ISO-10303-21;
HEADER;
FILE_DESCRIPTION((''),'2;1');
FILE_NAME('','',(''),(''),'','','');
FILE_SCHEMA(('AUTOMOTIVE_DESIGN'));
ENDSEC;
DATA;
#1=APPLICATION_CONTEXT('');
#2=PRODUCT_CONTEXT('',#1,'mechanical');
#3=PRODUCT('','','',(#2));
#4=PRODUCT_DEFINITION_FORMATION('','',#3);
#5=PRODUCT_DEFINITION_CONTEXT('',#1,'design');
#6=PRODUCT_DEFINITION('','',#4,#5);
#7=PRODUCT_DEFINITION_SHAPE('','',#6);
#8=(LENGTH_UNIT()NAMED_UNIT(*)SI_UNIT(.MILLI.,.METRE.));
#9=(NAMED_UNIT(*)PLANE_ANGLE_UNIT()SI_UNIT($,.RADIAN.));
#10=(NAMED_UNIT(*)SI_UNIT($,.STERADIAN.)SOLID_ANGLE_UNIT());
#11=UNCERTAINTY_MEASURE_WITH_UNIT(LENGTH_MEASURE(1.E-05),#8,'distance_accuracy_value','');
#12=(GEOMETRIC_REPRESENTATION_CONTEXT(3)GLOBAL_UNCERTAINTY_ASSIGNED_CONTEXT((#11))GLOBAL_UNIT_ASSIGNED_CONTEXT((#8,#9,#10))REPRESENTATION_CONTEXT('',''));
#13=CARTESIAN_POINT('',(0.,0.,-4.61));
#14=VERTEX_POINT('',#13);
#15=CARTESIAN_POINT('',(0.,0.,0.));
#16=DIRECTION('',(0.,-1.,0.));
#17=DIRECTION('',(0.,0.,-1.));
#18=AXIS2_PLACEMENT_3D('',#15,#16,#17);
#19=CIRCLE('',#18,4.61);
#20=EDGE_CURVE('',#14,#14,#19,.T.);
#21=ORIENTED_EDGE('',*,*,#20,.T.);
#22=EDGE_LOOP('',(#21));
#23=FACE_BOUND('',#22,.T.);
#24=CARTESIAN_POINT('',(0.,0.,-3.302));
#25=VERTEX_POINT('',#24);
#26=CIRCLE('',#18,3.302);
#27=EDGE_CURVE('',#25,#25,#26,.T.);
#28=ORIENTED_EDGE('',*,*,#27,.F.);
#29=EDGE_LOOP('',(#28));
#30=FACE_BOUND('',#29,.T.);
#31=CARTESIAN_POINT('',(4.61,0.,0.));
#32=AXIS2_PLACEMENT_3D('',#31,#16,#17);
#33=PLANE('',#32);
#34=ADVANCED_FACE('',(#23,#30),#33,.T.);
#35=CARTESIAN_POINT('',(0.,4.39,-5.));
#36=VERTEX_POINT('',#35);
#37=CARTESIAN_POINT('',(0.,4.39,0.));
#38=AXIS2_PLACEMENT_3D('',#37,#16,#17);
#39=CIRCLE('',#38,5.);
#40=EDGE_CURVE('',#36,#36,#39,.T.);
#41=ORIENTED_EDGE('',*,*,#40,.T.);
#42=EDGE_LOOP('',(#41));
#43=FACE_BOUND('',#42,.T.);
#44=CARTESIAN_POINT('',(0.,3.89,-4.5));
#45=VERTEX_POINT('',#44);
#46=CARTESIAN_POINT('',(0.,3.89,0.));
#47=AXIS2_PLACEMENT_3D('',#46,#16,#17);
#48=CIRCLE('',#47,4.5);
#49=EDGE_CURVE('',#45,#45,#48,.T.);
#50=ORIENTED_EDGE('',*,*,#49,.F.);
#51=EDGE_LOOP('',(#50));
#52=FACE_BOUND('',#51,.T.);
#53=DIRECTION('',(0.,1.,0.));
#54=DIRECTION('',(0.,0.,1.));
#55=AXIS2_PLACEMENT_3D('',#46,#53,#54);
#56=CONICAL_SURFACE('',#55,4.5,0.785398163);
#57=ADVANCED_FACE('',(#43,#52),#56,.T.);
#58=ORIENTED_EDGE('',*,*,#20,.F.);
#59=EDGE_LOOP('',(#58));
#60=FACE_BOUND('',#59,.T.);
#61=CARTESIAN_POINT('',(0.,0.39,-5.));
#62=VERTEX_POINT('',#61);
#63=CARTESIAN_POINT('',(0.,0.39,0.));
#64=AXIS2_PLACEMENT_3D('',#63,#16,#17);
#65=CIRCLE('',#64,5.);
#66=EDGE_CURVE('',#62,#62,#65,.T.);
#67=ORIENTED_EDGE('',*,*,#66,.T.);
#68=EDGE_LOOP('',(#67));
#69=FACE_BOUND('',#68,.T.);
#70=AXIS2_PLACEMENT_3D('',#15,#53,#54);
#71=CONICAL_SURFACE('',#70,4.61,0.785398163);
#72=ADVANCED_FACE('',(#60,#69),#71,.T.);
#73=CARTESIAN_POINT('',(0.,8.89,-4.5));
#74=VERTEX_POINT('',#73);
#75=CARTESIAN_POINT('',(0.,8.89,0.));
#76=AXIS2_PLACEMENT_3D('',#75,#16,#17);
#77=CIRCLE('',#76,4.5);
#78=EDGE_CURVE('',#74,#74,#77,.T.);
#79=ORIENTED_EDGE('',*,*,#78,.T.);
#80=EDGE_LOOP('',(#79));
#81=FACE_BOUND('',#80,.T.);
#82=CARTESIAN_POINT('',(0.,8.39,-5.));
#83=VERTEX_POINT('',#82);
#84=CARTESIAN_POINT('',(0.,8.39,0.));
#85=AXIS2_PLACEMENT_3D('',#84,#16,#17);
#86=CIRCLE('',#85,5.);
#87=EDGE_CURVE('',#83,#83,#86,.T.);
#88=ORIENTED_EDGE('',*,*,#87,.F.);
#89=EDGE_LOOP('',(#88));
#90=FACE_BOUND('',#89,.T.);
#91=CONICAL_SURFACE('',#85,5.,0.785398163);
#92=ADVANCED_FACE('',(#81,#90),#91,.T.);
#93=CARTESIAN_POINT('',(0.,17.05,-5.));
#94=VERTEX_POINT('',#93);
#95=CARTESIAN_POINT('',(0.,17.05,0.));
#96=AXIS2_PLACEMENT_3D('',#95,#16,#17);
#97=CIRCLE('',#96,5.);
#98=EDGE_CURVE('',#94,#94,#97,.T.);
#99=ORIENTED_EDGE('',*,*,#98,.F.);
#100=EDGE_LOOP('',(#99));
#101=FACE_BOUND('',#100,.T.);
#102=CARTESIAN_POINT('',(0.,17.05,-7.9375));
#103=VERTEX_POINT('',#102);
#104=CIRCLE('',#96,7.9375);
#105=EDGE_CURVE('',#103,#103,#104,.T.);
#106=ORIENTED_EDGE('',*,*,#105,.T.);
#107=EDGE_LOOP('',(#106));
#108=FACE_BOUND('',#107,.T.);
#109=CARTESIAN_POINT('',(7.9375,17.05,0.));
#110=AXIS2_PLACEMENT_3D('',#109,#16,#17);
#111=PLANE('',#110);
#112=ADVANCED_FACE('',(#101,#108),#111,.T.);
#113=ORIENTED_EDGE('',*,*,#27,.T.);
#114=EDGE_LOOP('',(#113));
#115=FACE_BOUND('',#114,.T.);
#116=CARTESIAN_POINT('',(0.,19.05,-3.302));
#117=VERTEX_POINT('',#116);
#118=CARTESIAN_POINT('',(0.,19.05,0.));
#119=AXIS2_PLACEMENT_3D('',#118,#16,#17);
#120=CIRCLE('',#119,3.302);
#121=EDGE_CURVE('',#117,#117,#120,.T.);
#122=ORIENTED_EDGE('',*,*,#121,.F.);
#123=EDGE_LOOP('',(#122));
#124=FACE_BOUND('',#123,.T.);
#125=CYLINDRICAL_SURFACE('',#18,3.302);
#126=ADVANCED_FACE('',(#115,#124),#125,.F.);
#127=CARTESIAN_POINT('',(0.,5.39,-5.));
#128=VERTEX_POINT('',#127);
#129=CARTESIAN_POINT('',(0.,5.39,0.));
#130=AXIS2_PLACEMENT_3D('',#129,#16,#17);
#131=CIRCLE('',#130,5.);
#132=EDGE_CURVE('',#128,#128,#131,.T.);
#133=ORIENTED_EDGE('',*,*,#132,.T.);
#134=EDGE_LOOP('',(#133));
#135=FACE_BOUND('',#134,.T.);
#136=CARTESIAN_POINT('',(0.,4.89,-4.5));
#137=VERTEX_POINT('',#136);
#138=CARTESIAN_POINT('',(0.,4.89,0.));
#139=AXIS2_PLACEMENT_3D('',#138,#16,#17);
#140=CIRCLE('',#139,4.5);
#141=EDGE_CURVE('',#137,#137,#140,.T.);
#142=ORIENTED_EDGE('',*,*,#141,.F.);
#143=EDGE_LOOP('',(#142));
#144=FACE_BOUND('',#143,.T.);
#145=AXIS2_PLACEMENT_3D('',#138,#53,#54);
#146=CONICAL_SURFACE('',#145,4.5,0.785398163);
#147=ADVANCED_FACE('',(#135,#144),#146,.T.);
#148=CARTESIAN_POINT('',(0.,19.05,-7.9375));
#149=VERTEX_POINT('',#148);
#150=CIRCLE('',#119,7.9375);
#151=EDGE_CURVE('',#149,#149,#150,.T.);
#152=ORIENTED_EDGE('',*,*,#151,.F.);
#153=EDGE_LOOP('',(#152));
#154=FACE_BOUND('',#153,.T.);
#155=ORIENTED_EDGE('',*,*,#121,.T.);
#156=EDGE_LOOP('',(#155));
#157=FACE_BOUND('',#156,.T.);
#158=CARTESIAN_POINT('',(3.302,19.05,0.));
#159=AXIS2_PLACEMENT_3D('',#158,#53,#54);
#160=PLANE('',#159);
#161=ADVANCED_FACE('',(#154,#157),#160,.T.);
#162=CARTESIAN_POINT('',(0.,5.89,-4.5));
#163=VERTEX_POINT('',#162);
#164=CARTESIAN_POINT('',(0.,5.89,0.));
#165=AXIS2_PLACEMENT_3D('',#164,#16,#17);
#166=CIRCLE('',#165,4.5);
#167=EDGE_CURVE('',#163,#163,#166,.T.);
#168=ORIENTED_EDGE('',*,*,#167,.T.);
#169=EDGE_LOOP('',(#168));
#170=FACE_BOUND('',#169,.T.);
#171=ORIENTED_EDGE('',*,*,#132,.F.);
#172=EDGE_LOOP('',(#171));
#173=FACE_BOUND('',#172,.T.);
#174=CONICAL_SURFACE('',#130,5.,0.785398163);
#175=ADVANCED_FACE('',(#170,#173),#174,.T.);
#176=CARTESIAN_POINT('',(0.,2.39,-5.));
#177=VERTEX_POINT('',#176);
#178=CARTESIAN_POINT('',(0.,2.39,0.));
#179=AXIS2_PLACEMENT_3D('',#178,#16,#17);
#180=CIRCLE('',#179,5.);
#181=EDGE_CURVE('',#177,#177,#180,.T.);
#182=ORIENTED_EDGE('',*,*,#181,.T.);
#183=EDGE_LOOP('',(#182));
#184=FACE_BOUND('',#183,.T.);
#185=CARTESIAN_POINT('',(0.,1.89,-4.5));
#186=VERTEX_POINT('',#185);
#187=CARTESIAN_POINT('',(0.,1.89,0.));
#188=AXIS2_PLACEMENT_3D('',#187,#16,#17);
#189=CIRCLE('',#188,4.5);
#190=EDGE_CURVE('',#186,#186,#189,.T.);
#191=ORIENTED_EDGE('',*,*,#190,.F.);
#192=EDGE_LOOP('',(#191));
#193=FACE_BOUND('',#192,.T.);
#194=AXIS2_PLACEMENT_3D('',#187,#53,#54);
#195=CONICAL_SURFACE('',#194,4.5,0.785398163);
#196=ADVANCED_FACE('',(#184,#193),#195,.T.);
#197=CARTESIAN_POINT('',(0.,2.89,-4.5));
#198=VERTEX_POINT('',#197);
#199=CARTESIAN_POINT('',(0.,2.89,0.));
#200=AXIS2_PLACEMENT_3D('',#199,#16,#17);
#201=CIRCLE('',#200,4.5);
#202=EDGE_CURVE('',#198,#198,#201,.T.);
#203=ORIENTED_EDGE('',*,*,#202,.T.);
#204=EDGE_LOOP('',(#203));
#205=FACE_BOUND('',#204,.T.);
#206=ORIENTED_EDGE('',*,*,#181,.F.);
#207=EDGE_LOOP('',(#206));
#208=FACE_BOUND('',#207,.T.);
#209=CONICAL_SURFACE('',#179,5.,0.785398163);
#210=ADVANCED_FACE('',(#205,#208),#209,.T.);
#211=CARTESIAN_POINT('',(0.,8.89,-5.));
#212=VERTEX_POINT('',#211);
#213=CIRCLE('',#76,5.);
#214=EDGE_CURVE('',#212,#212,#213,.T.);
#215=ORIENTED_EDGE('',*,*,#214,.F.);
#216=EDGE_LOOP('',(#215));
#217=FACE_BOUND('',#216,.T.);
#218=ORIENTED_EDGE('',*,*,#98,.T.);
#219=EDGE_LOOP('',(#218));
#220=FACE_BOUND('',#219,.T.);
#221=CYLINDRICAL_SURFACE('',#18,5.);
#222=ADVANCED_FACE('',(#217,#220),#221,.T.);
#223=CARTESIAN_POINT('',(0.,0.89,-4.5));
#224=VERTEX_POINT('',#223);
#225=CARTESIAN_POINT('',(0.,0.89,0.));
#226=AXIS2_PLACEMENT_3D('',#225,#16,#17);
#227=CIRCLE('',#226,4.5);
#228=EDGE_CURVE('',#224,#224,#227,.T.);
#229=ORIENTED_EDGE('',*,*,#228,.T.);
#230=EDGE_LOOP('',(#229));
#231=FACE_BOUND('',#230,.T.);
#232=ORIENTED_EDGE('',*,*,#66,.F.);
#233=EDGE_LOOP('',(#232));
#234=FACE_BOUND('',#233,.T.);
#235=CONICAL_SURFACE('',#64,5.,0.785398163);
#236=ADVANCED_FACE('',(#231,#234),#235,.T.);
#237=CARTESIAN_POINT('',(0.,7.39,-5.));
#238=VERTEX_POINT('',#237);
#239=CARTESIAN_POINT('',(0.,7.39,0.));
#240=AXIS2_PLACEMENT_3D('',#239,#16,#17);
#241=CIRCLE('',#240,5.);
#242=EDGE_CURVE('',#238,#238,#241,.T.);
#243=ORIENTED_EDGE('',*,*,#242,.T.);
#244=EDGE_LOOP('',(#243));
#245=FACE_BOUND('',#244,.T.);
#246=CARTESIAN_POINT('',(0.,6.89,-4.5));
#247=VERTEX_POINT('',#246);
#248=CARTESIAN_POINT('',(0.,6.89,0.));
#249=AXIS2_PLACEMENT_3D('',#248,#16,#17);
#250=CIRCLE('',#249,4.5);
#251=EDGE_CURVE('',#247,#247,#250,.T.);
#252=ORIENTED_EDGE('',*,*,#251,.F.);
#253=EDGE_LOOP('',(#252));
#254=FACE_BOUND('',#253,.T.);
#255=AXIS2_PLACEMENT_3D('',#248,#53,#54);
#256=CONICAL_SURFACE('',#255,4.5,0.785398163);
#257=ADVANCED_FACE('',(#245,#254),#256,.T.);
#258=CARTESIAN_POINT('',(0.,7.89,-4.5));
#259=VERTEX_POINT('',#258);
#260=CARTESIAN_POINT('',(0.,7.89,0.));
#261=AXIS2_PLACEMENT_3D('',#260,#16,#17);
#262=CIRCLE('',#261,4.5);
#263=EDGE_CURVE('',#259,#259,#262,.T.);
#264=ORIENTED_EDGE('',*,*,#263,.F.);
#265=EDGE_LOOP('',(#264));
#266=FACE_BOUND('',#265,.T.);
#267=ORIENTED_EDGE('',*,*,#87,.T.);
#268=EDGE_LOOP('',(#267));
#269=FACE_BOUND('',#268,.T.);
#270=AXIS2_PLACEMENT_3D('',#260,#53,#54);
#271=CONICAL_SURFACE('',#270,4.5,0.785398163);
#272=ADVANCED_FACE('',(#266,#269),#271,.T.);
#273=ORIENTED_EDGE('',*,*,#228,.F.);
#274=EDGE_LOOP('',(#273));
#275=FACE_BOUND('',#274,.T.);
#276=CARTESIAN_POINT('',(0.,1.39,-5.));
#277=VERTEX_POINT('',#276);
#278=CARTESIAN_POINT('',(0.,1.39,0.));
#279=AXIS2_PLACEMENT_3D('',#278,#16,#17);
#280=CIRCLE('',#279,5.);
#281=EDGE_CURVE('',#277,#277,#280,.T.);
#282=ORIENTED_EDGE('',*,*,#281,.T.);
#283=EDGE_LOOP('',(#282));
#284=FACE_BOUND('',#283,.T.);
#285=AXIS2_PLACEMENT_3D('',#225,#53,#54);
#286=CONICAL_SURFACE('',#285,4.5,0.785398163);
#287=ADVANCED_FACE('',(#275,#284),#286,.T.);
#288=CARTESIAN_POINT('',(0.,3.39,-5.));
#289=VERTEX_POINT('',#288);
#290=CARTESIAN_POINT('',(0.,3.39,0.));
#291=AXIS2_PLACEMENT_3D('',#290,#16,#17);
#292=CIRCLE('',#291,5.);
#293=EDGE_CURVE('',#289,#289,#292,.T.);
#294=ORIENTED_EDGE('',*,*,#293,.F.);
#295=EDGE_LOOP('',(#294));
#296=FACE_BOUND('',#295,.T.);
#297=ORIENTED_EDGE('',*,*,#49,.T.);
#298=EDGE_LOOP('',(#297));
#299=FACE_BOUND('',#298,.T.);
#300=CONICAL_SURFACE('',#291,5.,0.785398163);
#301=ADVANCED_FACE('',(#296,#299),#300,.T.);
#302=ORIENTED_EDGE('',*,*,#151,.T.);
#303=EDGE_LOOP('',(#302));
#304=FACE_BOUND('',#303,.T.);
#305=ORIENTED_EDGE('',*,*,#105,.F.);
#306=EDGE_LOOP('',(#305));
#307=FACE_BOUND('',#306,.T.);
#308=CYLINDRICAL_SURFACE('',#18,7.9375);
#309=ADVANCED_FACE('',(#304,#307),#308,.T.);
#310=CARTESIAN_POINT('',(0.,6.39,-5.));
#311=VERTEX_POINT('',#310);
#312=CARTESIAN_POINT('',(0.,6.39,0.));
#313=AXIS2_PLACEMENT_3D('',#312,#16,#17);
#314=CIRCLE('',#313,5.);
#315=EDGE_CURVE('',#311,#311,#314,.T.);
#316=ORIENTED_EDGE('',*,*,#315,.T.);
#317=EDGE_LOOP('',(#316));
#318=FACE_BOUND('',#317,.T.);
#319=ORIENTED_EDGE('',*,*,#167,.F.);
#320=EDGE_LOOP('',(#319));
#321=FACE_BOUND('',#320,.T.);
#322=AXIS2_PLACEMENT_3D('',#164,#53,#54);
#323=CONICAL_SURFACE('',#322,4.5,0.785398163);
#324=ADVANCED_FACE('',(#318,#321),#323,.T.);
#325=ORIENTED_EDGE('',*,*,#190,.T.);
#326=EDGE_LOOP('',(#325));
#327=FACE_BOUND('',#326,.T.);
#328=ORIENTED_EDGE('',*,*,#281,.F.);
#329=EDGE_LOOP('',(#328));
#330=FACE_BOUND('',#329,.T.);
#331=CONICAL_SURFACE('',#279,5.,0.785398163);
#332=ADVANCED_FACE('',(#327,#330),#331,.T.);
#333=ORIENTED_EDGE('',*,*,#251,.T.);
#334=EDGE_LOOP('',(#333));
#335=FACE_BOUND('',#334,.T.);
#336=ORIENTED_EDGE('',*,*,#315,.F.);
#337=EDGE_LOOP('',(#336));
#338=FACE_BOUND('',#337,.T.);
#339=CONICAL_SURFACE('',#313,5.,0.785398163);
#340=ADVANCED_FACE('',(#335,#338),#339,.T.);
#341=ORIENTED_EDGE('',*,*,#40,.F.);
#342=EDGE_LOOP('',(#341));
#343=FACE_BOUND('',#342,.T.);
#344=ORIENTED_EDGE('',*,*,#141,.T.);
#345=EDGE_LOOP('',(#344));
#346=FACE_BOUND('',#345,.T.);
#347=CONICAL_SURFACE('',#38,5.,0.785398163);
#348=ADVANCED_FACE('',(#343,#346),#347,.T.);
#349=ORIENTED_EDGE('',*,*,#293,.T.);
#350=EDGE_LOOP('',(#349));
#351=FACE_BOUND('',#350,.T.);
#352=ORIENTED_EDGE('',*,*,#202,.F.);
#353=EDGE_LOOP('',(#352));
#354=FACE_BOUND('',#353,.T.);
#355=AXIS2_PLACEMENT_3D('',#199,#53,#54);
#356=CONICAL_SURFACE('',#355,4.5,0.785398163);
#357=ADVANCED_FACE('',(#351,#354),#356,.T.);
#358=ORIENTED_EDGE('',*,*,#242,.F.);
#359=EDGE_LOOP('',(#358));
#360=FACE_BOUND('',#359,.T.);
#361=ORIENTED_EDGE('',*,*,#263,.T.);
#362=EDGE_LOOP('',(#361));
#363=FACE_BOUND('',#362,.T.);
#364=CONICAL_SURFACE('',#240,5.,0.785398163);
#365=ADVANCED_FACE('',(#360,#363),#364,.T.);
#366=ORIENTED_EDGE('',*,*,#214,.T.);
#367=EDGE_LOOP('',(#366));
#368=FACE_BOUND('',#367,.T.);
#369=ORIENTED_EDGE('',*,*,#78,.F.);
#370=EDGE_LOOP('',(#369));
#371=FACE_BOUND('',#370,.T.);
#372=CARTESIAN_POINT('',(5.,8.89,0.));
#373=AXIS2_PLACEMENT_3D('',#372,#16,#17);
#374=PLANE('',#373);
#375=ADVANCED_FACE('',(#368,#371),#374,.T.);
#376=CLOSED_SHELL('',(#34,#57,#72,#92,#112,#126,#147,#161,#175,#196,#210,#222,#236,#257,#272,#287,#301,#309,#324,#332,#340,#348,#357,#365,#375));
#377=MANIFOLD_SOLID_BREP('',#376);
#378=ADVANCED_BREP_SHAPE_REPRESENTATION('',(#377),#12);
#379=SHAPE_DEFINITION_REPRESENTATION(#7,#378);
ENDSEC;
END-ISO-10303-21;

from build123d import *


with BuildPart() as part:
    # Sketch1 → Revolve1 (revolve)
    with BuildSketch(Plane.XY):
        Polygon((3.302, 0), (3.302, 19.05), (7.9375, 19.05), (7.9375, 17.05), (5, 17.05), (5, 8.89), (4.5, 8.89), (5, 8.39), (4.5, 7.89), (5, 7.39), (4.5, 6.89), (5, 6.39), (4.5, 5.89), (5, 5.39), (4.5, 4.89), (5, 4.39), (4.5, 3.89), (5, 3.39), (4.5, 2.89), (5, 2.39), (4.5, 1.89), (5, 1.39), (4.5, 0.89), (5, 0.39), (4.61, 0), align=None)
    revolve(axis=Axis((0, 0, 0), (0, 1, 0)))


solid = part.part
